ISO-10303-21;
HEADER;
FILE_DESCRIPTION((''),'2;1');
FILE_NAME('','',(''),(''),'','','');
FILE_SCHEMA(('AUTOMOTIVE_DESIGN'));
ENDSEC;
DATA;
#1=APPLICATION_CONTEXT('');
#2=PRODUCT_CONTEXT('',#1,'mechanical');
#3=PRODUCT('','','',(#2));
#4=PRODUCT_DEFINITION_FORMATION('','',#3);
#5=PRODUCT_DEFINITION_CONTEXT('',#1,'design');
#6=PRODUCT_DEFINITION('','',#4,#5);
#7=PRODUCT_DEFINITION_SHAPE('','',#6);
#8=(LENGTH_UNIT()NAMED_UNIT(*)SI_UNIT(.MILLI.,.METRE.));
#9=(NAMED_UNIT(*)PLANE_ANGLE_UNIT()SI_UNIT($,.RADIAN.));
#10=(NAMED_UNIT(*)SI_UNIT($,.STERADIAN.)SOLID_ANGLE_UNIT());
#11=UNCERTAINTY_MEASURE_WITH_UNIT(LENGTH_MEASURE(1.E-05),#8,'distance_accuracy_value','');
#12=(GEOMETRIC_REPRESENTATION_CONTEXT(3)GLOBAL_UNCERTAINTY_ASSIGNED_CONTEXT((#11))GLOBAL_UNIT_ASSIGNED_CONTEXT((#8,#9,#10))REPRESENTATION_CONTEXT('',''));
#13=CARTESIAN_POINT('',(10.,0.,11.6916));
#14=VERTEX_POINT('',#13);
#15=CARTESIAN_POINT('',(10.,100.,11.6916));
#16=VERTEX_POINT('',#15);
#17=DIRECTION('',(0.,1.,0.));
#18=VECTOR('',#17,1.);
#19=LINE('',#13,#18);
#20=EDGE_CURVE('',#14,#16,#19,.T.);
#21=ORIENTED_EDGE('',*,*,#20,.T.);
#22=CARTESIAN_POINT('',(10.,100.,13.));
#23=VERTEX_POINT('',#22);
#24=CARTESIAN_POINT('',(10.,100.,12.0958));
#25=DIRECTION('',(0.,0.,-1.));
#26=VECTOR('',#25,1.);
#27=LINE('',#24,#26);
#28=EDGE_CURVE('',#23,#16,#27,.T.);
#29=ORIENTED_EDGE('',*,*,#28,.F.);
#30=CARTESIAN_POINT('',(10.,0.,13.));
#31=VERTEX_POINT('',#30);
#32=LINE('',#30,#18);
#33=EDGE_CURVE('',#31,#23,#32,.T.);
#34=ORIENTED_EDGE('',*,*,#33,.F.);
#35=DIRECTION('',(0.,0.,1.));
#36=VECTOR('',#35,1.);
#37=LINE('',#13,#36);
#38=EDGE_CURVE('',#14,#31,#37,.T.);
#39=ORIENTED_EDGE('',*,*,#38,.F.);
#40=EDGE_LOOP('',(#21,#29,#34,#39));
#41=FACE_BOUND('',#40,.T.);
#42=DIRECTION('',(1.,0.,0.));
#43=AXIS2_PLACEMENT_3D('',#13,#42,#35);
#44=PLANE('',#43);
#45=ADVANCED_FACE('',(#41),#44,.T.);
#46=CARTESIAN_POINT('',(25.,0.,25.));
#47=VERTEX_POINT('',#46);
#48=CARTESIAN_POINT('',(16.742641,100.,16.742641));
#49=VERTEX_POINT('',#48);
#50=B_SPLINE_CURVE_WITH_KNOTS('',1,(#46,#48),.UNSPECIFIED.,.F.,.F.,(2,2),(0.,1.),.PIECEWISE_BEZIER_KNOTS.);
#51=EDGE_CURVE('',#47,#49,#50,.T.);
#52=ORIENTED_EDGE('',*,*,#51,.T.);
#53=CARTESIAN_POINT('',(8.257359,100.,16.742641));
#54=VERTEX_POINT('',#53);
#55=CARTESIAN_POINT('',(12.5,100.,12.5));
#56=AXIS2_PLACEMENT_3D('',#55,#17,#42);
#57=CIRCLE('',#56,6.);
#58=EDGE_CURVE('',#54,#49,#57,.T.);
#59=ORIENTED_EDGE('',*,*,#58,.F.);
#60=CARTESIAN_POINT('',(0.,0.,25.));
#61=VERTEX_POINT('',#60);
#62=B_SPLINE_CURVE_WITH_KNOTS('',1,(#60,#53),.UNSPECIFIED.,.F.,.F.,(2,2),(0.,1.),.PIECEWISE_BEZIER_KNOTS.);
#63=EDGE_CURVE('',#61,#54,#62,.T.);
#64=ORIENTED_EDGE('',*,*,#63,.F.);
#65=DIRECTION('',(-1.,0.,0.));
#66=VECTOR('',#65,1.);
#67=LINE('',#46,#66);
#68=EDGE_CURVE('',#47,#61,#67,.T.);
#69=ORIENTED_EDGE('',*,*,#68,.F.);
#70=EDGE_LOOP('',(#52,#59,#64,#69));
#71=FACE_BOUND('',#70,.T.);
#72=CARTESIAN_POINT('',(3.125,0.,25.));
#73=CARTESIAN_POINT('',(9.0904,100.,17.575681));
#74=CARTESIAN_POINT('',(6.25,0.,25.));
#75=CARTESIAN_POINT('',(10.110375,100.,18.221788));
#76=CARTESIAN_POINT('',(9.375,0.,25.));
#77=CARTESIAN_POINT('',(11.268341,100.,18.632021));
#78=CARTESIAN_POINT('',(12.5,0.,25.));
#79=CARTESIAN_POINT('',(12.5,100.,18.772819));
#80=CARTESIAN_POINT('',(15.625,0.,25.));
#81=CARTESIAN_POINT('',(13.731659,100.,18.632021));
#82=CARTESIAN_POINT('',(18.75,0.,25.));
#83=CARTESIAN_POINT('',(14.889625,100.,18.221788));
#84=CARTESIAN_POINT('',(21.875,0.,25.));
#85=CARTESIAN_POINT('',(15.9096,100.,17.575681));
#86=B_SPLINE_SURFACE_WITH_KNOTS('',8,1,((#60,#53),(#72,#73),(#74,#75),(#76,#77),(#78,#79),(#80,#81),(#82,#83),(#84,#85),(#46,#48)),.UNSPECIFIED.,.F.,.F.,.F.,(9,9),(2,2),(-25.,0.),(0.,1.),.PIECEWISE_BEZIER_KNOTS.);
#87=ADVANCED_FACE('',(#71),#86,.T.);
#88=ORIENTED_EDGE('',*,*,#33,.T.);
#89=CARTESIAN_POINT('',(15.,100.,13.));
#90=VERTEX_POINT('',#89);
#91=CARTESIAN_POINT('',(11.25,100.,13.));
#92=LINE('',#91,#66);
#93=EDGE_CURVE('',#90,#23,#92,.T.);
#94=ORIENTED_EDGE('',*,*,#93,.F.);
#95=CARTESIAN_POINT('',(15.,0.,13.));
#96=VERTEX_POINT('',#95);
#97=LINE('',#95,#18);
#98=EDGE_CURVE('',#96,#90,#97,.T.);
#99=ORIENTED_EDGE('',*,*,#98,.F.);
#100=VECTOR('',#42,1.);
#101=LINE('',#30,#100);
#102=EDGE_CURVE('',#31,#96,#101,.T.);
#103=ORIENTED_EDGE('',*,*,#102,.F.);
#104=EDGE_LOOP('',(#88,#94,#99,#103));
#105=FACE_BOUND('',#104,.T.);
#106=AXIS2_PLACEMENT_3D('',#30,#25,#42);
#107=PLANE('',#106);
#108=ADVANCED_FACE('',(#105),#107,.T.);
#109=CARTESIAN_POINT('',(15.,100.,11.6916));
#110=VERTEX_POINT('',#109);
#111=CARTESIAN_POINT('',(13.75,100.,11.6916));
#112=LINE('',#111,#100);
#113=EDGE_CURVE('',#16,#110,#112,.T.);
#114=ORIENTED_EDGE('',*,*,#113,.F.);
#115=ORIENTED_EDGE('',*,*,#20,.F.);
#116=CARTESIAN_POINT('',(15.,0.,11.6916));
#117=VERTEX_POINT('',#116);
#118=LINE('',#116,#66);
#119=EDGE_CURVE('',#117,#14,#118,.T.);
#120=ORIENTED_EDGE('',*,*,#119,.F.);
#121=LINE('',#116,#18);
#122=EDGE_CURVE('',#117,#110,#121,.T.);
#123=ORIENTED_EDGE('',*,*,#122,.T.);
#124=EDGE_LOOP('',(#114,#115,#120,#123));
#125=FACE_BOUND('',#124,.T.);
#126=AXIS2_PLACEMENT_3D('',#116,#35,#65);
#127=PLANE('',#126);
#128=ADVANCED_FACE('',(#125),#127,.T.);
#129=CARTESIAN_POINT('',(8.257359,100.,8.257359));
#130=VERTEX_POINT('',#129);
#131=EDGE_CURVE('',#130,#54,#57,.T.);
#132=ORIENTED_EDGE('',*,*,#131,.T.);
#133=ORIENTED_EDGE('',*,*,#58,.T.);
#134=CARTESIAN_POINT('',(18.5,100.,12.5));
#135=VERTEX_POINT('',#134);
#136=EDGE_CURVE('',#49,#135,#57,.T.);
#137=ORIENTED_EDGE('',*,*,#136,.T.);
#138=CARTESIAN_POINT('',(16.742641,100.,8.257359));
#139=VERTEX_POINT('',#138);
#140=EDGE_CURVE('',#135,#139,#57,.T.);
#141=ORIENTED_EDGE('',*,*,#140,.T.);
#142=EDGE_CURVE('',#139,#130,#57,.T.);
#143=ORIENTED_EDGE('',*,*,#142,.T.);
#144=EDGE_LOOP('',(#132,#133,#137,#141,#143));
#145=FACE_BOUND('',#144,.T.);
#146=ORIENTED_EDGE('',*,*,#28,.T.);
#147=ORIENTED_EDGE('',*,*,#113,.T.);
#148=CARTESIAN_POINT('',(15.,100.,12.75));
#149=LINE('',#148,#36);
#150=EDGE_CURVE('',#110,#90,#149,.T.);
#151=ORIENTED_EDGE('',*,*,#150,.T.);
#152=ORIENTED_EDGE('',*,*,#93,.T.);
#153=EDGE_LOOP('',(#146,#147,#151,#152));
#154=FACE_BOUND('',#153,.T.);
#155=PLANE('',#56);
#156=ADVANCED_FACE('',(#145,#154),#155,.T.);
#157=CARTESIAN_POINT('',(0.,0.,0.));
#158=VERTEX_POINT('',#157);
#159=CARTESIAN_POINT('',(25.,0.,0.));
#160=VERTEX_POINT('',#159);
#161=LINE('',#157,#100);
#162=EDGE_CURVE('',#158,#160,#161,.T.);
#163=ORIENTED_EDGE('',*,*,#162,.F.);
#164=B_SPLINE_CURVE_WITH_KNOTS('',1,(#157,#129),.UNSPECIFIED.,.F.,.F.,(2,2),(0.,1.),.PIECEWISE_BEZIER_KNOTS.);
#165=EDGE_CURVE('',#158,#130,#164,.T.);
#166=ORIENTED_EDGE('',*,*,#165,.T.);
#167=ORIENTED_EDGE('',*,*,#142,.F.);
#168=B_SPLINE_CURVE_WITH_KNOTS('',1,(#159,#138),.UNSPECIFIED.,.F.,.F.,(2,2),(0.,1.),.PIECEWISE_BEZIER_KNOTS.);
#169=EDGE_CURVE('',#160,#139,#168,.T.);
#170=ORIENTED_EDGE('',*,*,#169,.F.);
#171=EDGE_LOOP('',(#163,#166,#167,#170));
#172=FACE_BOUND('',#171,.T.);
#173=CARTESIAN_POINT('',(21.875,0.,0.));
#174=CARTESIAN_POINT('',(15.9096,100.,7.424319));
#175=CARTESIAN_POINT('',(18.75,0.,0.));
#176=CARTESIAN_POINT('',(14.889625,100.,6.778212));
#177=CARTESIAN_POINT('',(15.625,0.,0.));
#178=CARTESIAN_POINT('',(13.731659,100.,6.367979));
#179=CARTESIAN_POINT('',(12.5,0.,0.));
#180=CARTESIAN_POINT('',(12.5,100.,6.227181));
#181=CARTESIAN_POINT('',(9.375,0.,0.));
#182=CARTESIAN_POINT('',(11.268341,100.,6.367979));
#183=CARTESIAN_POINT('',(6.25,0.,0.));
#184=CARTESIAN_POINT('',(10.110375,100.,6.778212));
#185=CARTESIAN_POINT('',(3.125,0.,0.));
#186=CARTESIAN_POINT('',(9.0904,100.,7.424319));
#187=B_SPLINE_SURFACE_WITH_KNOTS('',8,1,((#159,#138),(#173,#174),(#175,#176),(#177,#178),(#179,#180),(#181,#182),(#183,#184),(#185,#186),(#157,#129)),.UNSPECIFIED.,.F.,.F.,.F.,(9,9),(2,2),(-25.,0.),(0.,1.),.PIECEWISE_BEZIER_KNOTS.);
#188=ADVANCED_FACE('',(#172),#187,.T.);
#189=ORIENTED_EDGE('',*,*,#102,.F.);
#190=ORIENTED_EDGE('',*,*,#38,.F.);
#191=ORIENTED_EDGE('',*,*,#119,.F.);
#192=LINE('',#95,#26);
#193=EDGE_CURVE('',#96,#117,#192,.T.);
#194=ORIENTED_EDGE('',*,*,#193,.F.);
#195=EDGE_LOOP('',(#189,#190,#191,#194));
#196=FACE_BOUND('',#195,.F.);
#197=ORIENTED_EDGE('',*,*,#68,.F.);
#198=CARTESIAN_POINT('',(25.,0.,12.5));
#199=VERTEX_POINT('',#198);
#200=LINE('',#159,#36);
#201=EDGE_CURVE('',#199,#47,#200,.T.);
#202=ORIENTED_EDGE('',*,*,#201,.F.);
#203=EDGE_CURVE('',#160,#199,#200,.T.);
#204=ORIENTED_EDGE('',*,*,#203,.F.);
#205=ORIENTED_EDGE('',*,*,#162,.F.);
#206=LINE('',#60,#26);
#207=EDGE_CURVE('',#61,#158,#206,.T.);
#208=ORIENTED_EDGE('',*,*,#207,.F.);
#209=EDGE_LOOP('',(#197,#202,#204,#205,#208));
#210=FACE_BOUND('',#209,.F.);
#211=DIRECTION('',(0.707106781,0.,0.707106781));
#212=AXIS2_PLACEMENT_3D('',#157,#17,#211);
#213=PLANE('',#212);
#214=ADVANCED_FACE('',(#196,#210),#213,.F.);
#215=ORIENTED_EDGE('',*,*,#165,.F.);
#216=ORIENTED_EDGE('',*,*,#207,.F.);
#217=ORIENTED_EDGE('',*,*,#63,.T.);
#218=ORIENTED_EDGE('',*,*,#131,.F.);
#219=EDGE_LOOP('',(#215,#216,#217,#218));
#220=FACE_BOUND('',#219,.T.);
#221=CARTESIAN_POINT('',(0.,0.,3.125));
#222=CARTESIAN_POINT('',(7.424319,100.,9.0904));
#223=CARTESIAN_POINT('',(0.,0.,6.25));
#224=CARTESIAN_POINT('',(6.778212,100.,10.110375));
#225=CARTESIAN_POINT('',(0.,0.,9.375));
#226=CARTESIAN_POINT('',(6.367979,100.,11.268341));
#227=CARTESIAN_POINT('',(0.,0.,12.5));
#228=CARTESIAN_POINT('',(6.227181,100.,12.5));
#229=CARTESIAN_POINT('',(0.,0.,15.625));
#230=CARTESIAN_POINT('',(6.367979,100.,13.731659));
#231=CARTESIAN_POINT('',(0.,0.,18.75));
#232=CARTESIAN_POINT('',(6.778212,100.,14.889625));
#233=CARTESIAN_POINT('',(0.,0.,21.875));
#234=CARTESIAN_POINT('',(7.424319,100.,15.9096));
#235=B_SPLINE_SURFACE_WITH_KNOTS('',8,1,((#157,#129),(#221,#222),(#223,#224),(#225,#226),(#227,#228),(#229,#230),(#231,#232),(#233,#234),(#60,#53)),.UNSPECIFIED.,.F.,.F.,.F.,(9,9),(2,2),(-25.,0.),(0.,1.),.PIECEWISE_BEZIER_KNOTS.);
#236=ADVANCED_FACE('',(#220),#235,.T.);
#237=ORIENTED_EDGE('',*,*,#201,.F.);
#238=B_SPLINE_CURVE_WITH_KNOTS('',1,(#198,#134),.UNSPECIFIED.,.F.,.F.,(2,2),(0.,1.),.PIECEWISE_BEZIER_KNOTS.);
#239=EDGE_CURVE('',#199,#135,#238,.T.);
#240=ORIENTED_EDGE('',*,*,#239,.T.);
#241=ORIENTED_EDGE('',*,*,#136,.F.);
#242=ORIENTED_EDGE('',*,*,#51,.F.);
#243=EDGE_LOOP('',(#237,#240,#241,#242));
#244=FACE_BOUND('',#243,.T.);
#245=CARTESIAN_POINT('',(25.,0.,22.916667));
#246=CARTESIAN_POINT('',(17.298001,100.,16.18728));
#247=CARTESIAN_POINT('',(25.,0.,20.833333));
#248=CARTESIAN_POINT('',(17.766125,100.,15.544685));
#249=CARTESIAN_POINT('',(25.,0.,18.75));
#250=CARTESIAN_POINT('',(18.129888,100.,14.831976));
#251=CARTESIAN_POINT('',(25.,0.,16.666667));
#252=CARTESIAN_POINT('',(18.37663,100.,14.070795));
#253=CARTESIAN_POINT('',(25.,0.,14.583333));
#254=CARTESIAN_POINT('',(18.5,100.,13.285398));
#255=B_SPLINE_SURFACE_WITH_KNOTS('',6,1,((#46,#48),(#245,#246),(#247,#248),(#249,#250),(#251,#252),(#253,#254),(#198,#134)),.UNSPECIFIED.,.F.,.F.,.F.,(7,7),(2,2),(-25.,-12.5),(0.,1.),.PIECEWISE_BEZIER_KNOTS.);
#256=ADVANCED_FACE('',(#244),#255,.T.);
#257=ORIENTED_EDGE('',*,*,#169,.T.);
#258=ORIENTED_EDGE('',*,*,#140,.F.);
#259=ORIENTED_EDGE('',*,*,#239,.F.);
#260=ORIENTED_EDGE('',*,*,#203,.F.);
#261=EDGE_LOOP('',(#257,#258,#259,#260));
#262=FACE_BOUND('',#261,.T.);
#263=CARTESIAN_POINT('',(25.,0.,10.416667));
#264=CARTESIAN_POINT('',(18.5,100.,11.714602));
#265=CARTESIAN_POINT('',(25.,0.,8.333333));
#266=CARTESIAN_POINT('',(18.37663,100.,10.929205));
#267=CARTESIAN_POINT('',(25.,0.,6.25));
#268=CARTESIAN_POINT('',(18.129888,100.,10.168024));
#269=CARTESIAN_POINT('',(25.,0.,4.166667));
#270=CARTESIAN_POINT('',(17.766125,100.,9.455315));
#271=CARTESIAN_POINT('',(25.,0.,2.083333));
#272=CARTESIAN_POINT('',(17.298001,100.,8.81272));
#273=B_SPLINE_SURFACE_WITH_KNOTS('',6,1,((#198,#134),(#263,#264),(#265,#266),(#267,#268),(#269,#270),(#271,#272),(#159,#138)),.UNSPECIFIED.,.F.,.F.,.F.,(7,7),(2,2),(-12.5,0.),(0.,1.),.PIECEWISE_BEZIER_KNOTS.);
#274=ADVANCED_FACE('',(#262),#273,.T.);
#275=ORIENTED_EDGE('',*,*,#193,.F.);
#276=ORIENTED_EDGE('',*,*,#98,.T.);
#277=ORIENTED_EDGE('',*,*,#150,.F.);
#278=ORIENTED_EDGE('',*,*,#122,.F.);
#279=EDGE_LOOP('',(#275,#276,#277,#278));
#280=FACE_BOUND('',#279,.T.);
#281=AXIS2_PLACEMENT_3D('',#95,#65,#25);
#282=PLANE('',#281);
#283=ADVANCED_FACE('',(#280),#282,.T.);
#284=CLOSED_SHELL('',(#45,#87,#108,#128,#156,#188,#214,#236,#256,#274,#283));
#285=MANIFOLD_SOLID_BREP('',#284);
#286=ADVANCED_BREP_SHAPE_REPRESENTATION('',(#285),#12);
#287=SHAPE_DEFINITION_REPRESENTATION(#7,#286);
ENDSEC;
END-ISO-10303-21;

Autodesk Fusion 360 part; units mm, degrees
sketch "Sketch1" plane through (0, 0, 0) normal (0, 1, 0) x (1, 0, 0)
  line L0 (0, 0) -> (25, 0)
  line L1 (25, 0) -> (25, -25)
  line L2 (25, -25) -> (0, -25)
  line L3 (0, -25) -> (0, 0)
  line L4 (10, -13) -> (15, -13)
  line L5 (15, -13) -> (15, -11.6916)
  line L6 (15, -11.6916) -> (10, -11.6916)
  line L7 (10, -11.6916) -> (10, -13)
  dimension "d1" = 25
  dimension "d2" = 25
ref_plane "WorkPlane1" through (12.5, 100, 12.5) normal (0, 1, 0) x (1, 0, 0)
sketch "Sketch2" plane through (0, 100, 0) normal (0, 1, 0) x (1, 0, 0)
  circle A0 centre (12.5, -12.5) radius 6
  line L0 (25, -25) -> (0, -25)
  line L1 (25, 0) -> (25, -25)
  line L2 (0, 0) -> (25, 0)
  line L3 (0, -25) -> (25, 0) construction
  line L4 (0, 0) -> (25, -25) construction
  dimension "d4" = 12
loft "Loft1" add profiles "Sketch1", "Sketch2" section 1 contours L0 L1 L2 L3 | L4 L5 L6 L7 section 2
extrude "Extrude1" cut sketch "Sketch1" along normal through all contours L4 L5 L6 L7
